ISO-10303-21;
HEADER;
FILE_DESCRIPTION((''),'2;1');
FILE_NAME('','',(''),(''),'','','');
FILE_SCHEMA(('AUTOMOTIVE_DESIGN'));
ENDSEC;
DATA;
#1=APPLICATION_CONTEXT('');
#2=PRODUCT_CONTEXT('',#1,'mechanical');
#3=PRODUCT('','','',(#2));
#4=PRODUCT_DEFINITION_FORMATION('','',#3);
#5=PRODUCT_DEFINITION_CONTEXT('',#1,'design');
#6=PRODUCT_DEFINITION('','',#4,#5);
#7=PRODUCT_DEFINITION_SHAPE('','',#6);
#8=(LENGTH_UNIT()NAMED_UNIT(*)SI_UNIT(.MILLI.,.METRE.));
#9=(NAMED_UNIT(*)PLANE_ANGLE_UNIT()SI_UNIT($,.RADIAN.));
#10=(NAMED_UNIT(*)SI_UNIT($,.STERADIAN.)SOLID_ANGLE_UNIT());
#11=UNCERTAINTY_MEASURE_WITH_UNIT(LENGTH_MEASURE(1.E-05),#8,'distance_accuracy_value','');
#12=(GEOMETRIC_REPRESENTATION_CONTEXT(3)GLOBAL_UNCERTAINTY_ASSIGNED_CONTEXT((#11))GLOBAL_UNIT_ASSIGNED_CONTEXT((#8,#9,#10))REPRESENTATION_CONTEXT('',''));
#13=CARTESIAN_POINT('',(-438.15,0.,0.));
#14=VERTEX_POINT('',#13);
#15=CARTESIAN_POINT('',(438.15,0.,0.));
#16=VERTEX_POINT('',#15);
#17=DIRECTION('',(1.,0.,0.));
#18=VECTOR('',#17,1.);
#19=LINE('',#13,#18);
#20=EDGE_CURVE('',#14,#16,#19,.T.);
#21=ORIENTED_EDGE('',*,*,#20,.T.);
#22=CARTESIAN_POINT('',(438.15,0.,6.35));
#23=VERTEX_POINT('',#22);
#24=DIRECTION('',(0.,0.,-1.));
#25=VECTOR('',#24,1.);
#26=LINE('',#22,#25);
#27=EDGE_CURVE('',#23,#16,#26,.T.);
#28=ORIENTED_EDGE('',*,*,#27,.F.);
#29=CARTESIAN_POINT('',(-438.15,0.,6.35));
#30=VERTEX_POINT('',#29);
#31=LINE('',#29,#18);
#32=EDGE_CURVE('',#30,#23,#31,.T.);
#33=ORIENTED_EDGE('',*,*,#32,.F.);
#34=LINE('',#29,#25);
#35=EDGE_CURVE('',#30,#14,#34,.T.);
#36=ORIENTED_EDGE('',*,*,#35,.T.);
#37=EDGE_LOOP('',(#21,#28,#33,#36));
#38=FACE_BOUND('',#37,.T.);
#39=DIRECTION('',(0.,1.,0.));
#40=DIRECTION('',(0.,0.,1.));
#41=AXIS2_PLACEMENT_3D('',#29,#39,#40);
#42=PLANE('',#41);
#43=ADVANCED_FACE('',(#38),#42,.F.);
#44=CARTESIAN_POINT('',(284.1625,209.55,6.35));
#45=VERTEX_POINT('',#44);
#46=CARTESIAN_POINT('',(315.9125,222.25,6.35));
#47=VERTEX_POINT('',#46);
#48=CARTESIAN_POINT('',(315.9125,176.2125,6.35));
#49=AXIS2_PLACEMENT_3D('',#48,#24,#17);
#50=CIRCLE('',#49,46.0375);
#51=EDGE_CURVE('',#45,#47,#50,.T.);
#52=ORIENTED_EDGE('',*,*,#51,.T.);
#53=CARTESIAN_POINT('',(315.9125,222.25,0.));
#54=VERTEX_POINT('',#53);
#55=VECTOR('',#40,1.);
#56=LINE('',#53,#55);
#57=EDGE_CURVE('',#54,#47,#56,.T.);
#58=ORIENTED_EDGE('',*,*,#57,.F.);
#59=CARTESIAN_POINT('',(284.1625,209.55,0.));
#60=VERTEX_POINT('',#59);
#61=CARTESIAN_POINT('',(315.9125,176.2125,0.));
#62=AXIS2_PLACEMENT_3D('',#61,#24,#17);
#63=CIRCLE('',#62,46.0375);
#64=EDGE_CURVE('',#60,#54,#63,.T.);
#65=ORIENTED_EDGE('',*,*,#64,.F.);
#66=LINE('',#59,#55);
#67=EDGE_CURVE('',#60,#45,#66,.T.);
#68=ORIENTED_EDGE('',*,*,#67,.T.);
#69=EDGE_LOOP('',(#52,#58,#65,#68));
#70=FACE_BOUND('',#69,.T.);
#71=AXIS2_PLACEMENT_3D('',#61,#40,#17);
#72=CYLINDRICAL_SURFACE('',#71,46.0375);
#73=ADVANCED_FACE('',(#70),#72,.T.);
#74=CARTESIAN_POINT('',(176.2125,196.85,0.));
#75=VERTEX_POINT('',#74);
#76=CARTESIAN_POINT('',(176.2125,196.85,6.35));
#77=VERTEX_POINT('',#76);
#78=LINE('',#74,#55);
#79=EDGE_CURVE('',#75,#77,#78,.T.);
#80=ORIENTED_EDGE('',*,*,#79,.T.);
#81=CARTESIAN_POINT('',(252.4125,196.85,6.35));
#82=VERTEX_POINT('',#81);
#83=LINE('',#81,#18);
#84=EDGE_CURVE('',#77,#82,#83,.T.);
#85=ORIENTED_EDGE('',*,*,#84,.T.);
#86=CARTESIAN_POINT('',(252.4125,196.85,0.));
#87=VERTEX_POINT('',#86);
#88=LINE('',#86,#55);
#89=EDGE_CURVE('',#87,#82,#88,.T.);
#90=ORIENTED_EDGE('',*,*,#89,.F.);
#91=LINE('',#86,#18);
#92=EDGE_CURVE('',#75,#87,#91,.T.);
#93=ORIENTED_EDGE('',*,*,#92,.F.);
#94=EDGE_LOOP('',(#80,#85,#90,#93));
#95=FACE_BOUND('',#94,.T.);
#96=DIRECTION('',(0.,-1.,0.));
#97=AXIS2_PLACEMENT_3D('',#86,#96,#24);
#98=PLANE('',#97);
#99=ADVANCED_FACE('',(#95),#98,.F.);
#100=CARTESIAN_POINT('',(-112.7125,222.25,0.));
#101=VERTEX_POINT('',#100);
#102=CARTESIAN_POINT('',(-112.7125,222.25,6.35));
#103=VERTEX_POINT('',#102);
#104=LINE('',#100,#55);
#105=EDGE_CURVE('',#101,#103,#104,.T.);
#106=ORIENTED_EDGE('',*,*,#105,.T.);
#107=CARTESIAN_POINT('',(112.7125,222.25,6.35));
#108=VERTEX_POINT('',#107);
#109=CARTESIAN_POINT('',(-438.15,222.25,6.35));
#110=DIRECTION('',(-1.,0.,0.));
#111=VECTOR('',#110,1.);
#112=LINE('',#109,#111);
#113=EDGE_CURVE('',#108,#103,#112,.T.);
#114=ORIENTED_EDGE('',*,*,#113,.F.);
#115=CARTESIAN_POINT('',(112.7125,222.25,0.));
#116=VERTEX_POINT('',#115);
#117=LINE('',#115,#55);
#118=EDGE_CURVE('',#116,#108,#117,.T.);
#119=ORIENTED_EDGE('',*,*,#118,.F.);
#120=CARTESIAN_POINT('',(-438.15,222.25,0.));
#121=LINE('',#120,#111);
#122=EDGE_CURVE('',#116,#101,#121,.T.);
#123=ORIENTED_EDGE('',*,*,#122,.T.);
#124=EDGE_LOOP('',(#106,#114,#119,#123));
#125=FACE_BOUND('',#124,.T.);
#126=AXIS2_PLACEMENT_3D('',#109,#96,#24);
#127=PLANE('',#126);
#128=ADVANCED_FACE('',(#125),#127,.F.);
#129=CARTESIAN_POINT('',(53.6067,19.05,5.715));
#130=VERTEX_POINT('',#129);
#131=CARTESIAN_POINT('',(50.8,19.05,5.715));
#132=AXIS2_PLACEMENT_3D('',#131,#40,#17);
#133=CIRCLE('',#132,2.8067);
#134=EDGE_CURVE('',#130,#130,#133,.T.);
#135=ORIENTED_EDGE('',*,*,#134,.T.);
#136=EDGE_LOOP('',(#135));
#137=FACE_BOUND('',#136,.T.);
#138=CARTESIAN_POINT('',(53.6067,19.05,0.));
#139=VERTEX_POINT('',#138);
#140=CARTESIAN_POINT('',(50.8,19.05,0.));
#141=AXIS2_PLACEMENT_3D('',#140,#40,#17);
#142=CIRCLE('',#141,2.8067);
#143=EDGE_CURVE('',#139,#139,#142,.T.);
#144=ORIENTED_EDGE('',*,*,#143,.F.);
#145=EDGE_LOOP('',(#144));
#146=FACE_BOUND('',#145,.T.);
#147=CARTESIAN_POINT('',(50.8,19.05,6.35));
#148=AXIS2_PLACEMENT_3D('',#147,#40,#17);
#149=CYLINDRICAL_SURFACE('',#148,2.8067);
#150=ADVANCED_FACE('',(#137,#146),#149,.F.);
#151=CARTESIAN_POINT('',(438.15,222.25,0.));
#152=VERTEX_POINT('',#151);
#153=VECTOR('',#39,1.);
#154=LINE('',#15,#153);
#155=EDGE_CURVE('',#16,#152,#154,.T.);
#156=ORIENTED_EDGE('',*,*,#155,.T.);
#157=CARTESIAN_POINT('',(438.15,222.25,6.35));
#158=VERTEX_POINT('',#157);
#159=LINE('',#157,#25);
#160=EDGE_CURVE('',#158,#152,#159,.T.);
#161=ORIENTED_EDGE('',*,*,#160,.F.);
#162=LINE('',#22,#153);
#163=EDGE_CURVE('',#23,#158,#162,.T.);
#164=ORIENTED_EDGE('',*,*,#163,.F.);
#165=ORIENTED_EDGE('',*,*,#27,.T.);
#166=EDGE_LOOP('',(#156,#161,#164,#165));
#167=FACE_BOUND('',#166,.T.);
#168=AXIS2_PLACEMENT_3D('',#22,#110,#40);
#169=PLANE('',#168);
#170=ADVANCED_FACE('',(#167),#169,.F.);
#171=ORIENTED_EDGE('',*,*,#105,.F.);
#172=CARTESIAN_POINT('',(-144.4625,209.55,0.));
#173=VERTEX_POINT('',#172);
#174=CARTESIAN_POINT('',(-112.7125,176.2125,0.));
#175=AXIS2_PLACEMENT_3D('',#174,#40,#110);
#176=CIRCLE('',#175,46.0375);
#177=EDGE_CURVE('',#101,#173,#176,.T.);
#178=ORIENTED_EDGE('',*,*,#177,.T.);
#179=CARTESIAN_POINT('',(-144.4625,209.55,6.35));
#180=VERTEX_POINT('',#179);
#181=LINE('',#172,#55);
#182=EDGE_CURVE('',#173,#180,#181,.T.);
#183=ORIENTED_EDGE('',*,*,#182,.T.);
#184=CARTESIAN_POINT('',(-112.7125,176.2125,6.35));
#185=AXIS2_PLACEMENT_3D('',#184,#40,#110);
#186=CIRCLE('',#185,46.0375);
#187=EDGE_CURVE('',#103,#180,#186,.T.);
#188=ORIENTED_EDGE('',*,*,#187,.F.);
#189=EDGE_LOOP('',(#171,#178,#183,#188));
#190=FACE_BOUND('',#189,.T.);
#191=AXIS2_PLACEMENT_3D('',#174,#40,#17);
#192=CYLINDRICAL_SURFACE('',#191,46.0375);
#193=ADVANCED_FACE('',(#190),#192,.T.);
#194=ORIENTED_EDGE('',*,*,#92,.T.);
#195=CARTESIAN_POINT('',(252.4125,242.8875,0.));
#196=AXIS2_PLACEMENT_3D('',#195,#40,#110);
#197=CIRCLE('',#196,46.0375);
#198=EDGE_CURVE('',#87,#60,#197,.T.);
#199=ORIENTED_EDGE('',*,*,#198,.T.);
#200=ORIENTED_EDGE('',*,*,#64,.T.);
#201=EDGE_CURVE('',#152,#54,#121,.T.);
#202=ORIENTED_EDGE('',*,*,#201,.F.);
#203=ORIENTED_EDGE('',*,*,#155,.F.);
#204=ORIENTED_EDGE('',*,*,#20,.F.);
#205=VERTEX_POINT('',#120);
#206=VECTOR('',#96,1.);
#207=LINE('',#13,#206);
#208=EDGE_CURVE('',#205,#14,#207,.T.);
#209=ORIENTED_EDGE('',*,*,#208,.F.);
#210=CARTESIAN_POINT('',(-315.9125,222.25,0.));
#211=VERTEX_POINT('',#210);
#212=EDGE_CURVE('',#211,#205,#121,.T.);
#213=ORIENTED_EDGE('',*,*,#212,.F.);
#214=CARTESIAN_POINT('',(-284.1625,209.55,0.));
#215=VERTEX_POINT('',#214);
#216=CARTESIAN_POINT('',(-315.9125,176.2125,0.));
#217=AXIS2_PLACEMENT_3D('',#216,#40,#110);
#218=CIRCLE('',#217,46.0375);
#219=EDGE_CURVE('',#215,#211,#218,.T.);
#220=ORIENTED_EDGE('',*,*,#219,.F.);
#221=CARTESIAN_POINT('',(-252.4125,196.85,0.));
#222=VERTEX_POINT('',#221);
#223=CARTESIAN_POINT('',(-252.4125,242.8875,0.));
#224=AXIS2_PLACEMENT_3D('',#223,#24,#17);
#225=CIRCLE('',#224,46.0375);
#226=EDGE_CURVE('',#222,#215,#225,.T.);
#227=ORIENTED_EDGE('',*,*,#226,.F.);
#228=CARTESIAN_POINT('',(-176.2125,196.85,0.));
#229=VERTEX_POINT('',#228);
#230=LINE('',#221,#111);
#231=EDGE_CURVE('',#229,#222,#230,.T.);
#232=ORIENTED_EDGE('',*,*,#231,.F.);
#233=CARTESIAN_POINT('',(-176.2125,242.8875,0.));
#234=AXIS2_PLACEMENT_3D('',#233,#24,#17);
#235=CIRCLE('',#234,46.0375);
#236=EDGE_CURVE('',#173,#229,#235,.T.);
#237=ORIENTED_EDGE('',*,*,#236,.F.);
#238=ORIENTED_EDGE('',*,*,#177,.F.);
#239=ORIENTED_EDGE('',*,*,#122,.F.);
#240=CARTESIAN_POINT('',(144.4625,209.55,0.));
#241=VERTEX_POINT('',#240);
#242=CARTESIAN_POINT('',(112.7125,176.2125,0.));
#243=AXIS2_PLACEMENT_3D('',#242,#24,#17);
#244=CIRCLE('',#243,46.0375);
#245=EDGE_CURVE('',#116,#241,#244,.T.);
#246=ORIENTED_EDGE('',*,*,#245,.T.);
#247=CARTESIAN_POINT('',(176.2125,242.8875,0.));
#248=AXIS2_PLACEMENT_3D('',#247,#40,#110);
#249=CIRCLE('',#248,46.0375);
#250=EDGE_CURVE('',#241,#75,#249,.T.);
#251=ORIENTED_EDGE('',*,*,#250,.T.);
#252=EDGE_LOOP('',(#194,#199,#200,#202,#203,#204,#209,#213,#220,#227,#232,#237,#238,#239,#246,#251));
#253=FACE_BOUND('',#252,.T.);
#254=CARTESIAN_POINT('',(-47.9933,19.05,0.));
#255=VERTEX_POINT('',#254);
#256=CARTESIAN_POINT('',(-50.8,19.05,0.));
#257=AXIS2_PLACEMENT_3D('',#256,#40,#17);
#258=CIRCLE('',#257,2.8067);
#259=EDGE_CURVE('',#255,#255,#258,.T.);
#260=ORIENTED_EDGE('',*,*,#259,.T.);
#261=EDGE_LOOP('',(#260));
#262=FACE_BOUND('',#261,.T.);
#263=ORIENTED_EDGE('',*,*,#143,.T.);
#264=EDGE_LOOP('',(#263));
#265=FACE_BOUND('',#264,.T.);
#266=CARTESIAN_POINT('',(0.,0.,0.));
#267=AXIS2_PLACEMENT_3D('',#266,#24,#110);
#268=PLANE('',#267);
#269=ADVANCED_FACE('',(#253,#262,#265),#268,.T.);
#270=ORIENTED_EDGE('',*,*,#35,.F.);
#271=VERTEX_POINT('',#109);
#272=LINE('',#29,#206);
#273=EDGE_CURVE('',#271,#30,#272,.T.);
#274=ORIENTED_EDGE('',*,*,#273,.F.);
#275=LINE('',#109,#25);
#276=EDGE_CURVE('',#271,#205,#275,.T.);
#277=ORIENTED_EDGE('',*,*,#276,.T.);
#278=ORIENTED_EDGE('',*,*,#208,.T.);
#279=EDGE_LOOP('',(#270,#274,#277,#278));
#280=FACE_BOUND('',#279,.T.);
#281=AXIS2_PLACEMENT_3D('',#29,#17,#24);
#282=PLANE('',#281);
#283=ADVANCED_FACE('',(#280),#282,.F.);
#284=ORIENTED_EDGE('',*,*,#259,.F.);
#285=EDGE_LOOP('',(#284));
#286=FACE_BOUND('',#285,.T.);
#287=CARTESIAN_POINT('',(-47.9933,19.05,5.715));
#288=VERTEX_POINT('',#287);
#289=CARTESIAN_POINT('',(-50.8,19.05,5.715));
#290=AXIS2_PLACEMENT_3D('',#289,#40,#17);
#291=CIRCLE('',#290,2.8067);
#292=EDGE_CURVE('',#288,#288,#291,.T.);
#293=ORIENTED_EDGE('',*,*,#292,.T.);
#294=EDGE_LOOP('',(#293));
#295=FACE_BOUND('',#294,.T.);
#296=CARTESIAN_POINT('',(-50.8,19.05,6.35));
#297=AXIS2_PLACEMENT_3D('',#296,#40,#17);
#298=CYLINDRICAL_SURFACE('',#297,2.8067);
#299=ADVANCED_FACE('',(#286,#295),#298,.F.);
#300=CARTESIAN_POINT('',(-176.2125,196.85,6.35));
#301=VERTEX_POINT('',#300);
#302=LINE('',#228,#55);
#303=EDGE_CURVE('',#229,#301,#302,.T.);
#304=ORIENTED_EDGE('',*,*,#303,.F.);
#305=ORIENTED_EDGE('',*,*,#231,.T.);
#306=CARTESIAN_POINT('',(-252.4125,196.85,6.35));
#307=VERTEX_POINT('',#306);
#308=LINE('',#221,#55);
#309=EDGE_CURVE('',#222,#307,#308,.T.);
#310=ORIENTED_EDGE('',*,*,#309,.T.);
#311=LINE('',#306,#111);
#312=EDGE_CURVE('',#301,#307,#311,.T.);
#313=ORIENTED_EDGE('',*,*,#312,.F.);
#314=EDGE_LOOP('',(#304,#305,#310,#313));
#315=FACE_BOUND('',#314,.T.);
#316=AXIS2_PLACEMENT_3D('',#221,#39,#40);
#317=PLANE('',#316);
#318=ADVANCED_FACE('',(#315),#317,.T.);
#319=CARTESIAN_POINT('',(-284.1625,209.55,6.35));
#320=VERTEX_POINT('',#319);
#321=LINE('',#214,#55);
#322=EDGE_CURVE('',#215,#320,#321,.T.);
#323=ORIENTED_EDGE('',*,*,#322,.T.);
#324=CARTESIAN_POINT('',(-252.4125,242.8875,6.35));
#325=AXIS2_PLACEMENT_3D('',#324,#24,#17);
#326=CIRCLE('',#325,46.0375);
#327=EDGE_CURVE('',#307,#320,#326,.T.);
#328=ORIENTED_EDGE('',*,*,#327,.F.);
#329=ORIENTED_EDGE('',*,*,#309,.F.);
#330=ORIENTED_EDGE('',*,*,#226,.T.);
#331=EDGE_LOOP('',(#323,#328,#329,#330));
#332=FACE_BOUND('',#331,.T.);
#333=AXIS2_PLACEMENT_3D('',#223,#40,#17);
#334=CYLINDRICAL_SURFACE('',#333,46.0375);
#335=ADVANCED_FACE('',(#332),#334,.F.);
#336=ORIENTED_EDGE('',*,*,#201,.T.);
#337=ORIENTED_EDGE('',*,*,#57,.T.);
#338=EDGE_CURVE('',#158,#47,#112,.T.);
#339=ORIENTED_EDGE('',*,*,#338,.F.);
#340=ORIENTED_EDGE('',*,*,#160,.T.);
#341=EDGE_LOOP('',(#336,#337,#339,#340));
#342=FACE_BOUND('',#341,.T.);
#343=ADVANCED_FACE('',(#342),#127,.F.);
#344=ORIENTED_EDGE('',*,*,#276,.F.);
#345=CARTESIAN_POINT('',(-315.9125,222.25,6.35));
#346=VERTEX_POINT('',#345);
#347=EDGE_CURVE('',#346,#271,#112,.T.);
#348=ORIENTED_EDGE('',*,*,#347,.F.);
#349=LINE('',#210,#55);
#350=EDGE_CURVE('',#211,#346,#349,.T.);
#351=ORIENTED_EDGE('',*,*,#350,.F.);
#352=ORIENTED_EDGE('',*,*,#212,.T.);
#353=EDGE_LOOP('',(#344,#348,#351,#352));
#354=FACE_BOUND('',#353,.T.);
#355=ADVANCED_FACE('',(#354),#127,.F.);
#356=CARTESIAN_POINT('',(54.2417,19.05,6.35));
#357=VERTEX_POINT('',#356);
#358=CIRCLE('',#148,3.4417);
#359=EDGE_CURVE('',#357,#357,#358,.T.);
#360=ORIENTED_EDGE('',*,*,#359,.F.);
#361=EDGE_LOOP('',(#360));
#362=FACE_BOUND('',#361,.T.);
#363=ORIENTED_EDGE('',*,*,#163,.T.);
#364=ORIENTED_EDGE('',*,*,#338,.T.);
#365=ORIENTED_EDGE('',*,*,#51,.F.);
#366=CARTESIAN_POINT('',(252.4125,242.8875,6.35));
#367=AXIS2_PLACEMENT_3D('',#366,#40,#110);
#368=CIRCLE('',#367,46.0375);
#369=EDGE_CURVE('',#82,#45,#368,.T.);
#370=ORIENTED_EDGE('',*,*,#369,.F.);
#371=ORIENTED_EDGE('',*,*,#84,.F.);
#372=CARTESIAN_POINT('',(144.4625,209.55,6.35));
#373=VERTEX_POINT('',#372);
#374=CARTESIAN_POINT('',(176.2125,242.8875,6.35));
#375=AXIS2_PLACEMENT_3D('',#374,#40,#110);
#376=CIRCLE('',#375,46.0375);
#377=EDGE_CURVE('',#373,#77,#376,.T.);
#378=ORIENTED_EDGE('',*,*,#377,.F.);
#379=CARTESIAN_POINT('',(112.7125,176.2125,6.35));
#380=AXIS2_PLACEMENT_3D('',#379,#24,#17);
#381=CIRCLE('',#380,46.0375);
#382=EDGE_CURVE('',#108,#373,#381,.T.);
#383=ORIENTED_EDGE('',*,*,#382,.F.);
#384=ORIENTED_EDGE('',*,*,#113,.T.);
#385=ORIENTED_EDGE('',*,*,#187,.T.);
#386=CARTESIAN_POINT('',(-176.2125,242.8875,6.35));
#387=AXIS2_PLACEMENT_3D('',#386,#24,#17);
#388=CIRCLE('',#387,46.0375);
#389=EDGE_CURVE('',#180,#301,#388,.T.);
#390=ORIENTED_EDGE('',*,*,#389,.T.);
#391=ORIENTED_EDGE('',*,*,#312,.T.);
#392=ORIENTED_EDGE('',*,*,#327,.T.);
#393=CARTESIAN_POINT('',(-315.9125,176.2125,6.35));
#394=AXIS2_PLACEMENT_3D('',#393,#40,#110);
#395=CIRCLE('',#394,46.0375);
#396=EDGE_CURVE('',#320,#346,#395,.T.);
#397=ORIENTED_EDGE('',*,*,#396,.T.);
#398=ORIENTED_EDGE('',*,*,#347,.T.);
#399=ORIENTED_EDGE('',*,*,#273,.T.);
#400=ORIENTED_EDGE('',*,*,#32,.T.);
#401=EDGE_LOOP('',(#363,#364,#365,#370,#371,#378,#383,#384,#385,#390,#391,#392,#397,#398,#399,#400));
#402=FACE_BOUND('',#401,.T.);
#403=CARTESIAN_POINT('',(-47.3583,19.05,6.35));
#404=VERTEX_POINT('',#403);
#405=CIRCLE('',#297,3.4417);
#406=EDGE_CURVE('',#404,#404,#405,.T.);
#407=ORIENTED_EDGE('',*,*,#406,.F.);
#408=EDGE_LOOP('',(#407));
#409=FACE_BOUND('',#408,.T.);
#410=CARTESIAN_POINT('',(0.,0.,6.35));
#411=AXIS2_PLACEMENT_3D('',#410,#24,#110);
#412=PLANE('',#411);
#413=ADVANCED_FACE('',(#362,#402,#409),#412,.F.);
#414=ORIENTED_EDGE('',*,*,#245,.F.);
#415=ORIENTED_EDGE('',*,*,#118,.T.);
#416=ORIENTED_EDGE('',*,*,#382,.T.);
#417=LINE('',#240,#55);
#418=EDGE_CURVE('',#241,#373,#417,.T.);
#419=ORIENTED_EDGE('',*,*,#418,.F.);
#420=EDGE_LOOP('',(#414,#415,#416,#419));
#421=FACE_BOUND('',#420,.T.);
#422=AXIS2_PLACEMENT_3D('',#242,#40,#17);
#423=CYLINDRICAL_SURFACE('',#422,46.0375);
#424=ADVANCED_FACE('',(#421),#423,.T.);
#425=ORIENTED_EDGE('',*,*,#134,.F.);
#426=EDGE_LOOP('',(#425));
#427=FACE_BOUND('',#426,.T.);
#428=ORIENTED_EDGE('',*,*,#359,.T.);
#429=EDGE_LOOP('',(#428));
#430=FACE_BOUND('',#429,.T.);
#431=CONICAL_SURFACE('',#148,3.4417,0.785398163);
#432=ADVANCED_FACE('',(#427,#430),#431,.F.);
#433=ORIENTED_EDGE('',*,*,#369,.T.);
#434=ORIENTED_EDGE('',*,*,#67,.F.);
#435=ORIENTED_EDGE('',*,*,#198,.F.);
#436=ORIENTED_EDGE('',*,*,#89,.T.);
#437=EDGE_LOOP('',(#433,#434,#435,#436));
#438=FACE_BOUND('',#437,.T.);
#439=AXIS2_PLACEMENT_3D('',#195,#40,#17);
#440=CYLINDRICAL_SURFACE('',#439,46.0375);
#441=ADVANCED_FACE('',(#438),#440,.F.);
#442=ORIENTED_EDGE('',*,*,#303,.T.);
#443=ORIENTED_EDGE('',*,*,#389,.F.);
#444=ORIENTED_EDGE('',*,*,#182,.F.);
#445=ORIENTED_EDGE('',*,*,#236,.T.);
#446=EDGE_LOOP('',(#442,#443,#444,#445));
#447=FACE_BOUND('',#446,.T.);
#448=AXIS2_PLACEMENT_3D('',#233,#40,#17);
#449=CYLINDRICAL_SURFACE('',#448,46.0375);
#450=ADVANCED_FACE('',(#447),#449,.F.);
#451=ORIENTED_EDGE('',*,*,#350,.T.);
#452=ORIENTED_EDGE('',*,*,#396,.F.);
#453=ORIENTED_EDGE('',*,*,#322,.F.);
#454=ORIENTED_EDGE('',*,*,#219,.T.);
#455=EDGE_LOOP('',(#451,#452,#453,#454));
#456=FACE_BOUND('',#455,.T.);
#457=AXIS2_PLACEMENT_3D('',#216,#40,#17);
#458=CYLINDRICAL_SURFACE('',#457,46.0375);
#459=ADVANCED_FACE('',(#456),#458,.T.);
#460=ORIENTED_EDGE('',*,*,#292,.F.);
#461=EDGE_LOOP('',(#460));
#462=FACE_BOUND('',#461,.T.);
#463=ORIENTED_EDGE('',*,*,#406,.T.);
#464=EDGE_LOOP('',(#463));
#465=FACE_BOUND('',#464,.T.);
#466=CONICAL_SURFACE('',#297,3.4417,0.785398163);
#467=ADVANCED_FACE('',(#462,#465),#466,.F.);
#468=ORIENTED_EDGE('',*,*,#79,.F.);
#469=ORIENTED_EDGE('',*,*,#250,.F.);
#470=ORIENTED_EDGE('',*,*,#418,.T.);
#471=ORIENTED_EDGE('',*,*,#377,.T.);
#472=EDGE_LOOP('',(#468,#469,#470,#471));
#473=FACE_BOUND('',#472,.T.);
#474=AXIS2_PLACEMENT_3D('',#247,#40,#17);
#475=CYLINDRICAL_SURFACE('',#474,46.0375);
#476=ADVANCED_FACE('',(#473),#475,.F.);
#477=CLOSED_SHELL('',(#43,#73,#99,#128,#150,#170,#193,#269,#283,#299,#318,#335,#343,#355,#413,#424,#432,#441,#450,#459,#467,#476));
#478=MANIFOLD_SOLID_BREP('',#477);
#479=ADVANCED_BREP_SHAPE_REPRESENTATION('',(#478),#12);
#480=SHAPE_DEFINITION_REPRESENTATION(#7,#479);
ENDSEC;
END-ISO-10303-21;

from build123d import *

# Parameters (mm, degrees)
SKETCH1_W                        = 876.3
SKETCH1_H                        = 222.25
BOSS_EXTRUDE1_DEPTH              = 6.35
F_10_CLEARANCE_HOLE1_D           = 5.6134
F_10_CLEARANCE_HOLE1_CSINK_D     = 6.8834
F_10_CLEARANCE_HOLE1_CSINK_ANGLE = 90
CUT_EXTRUDE1_DEPTH               = 492.335738065


with BuildPart() as part:
    # Sketch1 → Boss-Extrude1 (new body)
    with BuildSketch(Plane.XY):
        with Locations((0, 111.125)):
            Rectangle(SKETCH1_W, SKETCH1_H)
    extrude(amount=BOSS_EXTRUDE1_DEPTH)

    # #10 Clearance Hole1 (through all)
    with Locations(Plane.XY.offset(6.35)):
        with Locations((-50.8, 19.05), (50.8, 19.05)):
            CounterSinkHole(F_10_CLEARANCE_HOLE1_D / 2, F_10_CLEARANCE_HOLE1_CSINK_D / 2, counter_sink_angle=F_10_CLEARANCE_HOLE1_CSINK_ANGLE)

    # Sketch5 → Cut-Extrude1 (cut, through all)
    with BuildSketch(Plane.XY.offset(6.35)):
        with BuildLine():
            Line((112.7125, 234.95), (315.9125, 234.95))
            Line((315.9125, 234.95), (315.9125, 222.25))
            ThreePointArc((315.9125, 222.25), (298.814601737, 218.957245657), (284.1625, 209.55))
            ThreePointArc((284.1625, 209.55), (269.510398263, 200.142754343), (252.4125, 196.85))
            Line((252.4125, 196.85), (176.2125, 196.85))
            ThreePointArc((176.2125, 196.85), (159.114601737, 200.142754343), (144.4625, 209.55))
            ThreePointArc((144.4625, 209.55), (129.810398263, 218.957245657), (112.7125, 222.25))
            Line((112.7125, 222.25), (112.7125, 234.95))
        make_face()
    cut_extrude1 = extrude(amount=-CUT_EXTRUDE1_DEPTH, mode=Mode.SUBTRACT)

    # Mirror1: Cut-Extrude1 across plane
    add(cut_extrude1.mirror(Plane(origin=(0, 0, 0), x_dir=(0, 0, 1), z_dir=(1, 0, 0))), mode=Mode.SUBTRACT)


solid = part.part
